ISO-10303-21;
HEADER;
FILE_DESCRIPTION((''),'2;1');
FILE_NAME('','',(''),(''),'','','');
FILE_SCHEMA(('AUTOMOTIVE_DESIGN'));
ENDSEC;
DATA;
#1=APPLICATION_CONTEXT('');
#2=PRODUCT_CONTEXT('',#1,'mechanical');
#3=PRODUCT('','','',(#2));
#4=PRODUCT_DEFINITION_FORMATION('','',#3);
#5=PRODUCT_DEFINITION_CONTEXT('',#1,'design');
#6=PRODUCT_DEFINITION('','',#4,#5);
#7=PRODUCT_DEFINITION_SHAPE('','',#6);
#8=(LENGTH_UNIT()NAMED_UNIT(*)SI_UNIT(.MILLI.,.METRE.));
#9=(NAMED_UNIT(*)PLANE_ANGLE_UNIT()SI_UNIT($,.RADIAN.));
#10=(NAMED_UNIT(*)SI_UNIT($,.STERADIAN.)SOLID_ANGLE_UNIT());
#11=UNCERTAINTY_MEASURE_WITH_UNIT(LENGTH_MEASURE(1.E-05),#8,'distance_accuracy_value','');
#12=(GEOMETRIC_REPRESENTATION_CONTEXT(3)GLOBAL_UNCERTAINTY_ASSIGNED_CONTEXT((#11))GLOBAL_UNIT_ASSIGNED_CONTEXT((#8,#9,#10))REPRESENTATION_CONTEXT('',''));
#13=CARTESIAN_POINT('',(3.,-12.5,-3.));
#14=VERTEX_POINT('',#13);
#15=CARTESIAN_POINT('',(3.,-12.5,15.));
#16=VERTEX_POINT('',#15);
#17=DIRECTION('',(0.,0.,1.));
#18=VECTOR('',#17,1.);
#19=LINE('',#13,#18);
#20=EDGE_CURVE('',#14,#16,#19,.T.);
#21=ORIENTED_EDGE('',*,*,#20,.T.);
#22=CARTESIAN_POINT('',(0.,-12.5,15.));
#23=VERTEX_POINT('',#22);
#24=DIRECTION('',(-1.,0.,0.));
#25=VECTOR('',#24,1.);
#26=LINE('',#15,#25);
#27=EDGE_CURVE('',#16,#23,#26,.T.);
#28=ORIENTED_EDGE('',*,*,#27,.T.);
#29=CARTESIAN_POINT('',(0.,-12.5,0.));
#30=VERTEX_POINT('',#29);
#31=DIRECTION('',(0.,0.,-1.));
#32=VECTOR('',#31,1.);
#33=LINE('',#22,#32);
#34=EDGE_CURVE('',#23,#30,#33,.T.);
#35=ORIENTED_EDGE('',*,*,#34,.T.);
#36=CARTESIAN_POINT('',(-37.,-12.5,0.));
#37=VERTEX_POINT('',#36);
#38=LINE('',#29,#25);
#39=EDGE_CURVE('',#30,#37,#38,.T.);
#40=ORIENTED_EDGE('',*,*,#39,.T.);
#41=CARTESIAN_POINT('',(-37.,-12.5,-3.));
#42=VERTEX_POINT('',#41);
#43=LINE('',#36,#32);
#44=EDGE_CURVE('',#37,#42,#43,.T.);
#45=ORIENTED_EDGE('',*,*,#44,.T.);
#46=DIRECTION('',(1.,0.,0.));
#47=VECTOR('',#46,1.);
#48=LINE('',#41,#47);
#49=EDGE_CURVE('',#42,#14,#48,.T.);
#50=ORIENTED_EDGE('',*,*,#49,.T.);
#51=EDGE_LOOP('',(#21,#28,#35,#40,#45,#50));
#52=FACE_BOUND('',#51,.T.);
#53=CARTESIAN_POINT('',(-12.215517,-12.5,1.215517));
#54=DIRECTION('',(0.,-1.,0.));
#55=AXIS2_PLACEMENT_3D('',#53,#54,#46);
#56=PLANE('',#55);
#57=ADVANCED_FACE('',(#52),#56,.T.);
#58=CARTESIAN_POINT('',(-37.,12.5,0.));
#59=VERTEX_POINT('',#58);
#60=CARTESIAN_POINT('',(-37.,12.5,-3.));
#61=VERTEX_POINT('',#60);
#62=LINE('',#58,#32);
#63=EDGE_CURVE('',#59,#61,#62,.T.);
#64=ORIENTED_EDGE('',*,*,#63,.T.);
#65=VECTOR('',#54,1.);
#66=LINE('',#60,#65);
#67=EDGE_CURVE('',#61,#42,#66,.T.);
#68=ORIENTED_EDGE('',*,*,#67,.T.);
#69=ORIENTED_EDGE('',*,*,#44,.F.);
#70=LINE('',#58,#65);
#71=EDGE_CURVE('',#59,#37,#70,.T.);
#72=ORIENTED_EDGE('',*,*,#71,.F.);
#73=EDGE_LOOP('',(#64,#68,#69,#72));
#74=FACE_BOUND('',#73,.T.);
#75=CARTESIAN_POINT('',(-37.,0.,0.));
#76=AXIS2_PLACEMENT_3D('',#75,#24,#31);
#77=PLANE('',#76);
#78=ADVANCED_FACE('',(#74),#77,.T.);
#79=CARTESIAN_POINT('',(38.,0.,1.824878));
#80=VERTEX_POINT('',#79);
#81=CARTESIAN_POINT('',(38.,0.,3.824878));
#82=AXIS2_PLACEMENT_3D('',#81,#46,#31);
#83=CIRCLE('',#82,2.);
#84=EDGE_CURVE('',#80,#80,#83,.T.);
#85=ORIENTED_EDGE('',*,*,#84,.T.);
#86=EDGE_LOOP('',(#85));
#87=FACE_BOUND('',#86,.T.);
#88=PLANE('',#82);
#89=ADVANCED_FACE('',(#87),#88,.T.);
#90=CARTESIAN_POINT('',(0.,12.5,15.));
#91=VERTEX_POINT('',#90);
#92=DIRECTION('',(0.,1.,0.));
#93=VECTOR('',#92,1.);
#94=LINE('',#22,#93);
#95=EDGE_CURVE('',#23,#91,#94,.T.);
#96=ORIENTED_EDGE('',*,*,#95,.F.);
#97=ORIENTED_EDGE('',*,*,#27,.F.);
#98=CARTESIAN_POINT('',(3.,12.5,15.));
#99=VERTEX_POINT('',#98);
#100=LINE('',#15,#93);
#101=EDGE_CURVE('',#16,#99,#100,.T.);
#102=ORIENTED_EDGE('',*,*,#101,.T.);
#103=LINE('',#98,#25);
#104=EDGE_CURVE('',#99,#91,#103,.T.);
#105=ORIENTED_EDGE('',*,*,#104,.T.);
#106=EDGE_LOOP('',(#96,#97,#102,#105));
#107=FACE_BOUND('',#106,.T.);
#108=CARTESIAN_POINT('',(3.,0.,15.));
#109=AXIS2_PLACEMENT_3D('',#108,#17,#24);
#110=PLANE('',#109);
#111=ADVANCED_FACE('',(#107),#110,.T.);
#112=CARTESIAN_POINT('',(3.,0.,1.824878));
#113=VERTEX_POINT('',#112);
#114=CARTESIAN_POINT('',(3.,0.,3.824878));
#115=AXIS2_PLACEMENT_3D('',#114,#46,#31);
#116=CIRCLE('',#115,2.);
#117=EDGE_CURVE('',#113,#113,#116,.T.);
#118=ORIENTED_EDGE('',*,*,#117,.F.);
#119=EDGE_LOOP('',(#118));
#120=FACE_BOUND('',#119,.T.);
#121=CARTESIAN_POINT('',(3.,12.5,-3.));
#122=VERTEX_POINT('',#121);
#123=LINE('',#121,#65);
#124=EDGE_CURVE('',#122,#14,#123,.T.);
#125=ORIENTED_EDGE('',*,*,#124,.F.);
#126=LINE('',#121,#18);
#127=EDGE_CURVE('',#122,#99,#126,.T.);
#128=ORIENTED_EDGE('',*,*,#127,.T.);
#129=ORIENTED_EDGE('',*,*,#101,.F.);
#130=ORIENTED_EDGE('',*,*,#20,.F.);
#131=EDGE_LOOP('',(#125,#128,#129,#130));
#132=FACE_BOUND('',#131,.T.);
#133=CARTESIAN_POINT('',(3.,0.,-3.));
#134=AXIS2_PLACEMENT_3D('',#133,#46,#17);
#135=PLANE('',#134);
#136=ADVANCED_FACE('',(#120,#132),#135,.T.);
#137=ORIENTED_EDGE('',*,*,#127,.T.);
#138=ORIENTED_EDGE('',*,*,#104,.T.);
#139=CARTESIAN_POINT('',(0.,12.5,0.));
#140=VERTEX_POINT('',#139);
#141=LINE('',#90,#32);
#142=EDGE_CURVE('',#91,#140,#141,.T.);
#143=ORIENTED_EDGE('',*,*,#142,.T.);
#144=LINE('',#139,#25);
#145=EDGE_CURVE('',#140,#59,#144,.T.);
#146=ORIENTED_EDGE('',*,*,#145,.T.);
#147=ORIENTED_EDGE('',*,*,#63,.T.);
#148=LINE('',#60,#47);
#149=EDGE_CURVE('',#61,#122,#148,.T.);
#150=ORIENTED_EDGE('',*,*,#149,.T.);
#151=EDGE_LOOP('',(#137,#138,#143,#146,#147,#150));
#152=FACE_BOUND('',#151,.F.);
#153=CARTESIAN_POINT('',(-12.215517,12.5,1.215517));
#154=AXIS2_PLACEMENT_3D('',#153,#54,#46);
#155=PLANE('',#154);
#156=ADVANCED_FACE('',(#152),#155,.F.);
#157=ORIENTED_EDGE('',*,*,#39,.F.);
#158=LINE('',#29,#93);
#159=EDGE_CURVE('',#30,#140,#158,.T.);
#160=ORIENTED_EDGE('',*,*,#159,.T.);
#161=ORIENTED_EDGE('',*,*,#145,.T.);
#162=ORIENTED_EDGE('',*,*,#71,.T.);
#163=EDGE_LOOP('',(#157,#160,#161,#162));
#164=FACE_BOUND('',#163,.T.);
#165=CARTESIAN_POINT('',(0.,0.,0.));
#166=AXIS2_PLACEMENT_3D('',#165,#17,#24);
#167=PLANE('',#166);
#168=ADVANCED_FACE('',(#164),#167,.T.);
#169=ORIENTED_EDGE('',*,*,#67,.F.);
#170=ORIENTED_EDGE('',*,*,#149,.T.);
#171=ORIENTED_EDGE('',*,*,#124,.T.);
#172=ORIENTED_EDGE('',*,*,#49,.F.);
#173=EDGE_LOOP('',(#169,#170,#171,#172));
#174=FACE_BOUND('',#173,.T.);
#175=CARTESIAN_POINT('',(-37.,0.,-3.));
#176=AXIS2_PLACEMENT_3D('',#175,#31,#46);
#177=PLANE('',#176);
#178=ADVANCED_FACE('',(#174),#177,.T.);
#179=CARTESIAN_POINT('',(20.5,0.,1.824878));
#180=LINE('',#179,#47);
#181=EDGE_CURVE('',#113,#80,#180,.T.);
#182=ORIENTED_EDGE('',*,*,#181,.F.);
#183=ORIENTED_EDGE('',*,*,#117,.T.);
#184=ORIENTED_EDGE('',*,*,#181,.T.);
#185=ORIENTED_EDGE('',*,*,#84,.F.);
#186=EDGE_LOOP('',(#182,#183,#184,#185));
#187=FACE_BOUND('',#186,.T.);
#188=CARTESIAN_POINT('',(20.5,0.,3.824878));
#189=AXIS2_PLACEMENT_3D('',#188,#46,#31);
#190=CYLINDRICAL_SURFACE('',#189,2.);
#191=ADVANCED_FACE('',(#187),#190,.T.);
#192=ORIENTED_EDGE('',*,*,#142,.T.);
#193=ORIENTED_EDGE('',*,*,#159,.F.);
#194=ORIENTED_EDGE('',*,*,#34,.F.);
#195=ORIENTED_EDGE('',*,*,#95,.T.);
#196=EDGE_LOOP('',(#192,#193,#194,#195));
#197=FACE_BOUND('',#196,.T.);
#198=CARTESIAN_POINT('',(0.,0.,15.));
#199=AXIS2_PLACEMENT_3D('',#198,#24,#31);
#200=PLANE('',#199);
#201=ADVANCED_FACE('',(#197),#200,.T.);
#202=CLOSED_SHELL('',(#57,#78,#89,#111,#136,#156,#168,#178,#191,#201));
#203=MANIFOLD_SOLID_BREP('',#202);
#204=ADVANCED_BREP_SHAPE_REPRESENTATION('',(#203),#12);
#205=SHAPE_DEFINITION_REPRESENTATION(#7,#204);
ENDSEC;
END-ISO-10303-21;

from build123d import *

# Parameters (mm, degrees)
F2_DEPTH = 12.5
F1_W     = 35
F1_H     = 2


with BuildPart() as f2:
    # F0 (on Front) → F2 (new body, symmetric)
    with BuildSketch(Plane.XZ):
        Polygon((0, 0), (-37, 0), (-37, -3), (3, -3), (3, 15), (0, 15), align=None)
    extrude(amount=F2_DEPTH, both=True)

    # F1 (on Front) → F3 (revolve)
    with BuildSketch(Plane.XZ):
        with Locations((20.5, 2.824878)):
            Rectangle(F1_W, F1_H)
    revolve(axis=Axis((20.5, 0, 3.824878), (1, 0, 0)))


solid = f2.part
